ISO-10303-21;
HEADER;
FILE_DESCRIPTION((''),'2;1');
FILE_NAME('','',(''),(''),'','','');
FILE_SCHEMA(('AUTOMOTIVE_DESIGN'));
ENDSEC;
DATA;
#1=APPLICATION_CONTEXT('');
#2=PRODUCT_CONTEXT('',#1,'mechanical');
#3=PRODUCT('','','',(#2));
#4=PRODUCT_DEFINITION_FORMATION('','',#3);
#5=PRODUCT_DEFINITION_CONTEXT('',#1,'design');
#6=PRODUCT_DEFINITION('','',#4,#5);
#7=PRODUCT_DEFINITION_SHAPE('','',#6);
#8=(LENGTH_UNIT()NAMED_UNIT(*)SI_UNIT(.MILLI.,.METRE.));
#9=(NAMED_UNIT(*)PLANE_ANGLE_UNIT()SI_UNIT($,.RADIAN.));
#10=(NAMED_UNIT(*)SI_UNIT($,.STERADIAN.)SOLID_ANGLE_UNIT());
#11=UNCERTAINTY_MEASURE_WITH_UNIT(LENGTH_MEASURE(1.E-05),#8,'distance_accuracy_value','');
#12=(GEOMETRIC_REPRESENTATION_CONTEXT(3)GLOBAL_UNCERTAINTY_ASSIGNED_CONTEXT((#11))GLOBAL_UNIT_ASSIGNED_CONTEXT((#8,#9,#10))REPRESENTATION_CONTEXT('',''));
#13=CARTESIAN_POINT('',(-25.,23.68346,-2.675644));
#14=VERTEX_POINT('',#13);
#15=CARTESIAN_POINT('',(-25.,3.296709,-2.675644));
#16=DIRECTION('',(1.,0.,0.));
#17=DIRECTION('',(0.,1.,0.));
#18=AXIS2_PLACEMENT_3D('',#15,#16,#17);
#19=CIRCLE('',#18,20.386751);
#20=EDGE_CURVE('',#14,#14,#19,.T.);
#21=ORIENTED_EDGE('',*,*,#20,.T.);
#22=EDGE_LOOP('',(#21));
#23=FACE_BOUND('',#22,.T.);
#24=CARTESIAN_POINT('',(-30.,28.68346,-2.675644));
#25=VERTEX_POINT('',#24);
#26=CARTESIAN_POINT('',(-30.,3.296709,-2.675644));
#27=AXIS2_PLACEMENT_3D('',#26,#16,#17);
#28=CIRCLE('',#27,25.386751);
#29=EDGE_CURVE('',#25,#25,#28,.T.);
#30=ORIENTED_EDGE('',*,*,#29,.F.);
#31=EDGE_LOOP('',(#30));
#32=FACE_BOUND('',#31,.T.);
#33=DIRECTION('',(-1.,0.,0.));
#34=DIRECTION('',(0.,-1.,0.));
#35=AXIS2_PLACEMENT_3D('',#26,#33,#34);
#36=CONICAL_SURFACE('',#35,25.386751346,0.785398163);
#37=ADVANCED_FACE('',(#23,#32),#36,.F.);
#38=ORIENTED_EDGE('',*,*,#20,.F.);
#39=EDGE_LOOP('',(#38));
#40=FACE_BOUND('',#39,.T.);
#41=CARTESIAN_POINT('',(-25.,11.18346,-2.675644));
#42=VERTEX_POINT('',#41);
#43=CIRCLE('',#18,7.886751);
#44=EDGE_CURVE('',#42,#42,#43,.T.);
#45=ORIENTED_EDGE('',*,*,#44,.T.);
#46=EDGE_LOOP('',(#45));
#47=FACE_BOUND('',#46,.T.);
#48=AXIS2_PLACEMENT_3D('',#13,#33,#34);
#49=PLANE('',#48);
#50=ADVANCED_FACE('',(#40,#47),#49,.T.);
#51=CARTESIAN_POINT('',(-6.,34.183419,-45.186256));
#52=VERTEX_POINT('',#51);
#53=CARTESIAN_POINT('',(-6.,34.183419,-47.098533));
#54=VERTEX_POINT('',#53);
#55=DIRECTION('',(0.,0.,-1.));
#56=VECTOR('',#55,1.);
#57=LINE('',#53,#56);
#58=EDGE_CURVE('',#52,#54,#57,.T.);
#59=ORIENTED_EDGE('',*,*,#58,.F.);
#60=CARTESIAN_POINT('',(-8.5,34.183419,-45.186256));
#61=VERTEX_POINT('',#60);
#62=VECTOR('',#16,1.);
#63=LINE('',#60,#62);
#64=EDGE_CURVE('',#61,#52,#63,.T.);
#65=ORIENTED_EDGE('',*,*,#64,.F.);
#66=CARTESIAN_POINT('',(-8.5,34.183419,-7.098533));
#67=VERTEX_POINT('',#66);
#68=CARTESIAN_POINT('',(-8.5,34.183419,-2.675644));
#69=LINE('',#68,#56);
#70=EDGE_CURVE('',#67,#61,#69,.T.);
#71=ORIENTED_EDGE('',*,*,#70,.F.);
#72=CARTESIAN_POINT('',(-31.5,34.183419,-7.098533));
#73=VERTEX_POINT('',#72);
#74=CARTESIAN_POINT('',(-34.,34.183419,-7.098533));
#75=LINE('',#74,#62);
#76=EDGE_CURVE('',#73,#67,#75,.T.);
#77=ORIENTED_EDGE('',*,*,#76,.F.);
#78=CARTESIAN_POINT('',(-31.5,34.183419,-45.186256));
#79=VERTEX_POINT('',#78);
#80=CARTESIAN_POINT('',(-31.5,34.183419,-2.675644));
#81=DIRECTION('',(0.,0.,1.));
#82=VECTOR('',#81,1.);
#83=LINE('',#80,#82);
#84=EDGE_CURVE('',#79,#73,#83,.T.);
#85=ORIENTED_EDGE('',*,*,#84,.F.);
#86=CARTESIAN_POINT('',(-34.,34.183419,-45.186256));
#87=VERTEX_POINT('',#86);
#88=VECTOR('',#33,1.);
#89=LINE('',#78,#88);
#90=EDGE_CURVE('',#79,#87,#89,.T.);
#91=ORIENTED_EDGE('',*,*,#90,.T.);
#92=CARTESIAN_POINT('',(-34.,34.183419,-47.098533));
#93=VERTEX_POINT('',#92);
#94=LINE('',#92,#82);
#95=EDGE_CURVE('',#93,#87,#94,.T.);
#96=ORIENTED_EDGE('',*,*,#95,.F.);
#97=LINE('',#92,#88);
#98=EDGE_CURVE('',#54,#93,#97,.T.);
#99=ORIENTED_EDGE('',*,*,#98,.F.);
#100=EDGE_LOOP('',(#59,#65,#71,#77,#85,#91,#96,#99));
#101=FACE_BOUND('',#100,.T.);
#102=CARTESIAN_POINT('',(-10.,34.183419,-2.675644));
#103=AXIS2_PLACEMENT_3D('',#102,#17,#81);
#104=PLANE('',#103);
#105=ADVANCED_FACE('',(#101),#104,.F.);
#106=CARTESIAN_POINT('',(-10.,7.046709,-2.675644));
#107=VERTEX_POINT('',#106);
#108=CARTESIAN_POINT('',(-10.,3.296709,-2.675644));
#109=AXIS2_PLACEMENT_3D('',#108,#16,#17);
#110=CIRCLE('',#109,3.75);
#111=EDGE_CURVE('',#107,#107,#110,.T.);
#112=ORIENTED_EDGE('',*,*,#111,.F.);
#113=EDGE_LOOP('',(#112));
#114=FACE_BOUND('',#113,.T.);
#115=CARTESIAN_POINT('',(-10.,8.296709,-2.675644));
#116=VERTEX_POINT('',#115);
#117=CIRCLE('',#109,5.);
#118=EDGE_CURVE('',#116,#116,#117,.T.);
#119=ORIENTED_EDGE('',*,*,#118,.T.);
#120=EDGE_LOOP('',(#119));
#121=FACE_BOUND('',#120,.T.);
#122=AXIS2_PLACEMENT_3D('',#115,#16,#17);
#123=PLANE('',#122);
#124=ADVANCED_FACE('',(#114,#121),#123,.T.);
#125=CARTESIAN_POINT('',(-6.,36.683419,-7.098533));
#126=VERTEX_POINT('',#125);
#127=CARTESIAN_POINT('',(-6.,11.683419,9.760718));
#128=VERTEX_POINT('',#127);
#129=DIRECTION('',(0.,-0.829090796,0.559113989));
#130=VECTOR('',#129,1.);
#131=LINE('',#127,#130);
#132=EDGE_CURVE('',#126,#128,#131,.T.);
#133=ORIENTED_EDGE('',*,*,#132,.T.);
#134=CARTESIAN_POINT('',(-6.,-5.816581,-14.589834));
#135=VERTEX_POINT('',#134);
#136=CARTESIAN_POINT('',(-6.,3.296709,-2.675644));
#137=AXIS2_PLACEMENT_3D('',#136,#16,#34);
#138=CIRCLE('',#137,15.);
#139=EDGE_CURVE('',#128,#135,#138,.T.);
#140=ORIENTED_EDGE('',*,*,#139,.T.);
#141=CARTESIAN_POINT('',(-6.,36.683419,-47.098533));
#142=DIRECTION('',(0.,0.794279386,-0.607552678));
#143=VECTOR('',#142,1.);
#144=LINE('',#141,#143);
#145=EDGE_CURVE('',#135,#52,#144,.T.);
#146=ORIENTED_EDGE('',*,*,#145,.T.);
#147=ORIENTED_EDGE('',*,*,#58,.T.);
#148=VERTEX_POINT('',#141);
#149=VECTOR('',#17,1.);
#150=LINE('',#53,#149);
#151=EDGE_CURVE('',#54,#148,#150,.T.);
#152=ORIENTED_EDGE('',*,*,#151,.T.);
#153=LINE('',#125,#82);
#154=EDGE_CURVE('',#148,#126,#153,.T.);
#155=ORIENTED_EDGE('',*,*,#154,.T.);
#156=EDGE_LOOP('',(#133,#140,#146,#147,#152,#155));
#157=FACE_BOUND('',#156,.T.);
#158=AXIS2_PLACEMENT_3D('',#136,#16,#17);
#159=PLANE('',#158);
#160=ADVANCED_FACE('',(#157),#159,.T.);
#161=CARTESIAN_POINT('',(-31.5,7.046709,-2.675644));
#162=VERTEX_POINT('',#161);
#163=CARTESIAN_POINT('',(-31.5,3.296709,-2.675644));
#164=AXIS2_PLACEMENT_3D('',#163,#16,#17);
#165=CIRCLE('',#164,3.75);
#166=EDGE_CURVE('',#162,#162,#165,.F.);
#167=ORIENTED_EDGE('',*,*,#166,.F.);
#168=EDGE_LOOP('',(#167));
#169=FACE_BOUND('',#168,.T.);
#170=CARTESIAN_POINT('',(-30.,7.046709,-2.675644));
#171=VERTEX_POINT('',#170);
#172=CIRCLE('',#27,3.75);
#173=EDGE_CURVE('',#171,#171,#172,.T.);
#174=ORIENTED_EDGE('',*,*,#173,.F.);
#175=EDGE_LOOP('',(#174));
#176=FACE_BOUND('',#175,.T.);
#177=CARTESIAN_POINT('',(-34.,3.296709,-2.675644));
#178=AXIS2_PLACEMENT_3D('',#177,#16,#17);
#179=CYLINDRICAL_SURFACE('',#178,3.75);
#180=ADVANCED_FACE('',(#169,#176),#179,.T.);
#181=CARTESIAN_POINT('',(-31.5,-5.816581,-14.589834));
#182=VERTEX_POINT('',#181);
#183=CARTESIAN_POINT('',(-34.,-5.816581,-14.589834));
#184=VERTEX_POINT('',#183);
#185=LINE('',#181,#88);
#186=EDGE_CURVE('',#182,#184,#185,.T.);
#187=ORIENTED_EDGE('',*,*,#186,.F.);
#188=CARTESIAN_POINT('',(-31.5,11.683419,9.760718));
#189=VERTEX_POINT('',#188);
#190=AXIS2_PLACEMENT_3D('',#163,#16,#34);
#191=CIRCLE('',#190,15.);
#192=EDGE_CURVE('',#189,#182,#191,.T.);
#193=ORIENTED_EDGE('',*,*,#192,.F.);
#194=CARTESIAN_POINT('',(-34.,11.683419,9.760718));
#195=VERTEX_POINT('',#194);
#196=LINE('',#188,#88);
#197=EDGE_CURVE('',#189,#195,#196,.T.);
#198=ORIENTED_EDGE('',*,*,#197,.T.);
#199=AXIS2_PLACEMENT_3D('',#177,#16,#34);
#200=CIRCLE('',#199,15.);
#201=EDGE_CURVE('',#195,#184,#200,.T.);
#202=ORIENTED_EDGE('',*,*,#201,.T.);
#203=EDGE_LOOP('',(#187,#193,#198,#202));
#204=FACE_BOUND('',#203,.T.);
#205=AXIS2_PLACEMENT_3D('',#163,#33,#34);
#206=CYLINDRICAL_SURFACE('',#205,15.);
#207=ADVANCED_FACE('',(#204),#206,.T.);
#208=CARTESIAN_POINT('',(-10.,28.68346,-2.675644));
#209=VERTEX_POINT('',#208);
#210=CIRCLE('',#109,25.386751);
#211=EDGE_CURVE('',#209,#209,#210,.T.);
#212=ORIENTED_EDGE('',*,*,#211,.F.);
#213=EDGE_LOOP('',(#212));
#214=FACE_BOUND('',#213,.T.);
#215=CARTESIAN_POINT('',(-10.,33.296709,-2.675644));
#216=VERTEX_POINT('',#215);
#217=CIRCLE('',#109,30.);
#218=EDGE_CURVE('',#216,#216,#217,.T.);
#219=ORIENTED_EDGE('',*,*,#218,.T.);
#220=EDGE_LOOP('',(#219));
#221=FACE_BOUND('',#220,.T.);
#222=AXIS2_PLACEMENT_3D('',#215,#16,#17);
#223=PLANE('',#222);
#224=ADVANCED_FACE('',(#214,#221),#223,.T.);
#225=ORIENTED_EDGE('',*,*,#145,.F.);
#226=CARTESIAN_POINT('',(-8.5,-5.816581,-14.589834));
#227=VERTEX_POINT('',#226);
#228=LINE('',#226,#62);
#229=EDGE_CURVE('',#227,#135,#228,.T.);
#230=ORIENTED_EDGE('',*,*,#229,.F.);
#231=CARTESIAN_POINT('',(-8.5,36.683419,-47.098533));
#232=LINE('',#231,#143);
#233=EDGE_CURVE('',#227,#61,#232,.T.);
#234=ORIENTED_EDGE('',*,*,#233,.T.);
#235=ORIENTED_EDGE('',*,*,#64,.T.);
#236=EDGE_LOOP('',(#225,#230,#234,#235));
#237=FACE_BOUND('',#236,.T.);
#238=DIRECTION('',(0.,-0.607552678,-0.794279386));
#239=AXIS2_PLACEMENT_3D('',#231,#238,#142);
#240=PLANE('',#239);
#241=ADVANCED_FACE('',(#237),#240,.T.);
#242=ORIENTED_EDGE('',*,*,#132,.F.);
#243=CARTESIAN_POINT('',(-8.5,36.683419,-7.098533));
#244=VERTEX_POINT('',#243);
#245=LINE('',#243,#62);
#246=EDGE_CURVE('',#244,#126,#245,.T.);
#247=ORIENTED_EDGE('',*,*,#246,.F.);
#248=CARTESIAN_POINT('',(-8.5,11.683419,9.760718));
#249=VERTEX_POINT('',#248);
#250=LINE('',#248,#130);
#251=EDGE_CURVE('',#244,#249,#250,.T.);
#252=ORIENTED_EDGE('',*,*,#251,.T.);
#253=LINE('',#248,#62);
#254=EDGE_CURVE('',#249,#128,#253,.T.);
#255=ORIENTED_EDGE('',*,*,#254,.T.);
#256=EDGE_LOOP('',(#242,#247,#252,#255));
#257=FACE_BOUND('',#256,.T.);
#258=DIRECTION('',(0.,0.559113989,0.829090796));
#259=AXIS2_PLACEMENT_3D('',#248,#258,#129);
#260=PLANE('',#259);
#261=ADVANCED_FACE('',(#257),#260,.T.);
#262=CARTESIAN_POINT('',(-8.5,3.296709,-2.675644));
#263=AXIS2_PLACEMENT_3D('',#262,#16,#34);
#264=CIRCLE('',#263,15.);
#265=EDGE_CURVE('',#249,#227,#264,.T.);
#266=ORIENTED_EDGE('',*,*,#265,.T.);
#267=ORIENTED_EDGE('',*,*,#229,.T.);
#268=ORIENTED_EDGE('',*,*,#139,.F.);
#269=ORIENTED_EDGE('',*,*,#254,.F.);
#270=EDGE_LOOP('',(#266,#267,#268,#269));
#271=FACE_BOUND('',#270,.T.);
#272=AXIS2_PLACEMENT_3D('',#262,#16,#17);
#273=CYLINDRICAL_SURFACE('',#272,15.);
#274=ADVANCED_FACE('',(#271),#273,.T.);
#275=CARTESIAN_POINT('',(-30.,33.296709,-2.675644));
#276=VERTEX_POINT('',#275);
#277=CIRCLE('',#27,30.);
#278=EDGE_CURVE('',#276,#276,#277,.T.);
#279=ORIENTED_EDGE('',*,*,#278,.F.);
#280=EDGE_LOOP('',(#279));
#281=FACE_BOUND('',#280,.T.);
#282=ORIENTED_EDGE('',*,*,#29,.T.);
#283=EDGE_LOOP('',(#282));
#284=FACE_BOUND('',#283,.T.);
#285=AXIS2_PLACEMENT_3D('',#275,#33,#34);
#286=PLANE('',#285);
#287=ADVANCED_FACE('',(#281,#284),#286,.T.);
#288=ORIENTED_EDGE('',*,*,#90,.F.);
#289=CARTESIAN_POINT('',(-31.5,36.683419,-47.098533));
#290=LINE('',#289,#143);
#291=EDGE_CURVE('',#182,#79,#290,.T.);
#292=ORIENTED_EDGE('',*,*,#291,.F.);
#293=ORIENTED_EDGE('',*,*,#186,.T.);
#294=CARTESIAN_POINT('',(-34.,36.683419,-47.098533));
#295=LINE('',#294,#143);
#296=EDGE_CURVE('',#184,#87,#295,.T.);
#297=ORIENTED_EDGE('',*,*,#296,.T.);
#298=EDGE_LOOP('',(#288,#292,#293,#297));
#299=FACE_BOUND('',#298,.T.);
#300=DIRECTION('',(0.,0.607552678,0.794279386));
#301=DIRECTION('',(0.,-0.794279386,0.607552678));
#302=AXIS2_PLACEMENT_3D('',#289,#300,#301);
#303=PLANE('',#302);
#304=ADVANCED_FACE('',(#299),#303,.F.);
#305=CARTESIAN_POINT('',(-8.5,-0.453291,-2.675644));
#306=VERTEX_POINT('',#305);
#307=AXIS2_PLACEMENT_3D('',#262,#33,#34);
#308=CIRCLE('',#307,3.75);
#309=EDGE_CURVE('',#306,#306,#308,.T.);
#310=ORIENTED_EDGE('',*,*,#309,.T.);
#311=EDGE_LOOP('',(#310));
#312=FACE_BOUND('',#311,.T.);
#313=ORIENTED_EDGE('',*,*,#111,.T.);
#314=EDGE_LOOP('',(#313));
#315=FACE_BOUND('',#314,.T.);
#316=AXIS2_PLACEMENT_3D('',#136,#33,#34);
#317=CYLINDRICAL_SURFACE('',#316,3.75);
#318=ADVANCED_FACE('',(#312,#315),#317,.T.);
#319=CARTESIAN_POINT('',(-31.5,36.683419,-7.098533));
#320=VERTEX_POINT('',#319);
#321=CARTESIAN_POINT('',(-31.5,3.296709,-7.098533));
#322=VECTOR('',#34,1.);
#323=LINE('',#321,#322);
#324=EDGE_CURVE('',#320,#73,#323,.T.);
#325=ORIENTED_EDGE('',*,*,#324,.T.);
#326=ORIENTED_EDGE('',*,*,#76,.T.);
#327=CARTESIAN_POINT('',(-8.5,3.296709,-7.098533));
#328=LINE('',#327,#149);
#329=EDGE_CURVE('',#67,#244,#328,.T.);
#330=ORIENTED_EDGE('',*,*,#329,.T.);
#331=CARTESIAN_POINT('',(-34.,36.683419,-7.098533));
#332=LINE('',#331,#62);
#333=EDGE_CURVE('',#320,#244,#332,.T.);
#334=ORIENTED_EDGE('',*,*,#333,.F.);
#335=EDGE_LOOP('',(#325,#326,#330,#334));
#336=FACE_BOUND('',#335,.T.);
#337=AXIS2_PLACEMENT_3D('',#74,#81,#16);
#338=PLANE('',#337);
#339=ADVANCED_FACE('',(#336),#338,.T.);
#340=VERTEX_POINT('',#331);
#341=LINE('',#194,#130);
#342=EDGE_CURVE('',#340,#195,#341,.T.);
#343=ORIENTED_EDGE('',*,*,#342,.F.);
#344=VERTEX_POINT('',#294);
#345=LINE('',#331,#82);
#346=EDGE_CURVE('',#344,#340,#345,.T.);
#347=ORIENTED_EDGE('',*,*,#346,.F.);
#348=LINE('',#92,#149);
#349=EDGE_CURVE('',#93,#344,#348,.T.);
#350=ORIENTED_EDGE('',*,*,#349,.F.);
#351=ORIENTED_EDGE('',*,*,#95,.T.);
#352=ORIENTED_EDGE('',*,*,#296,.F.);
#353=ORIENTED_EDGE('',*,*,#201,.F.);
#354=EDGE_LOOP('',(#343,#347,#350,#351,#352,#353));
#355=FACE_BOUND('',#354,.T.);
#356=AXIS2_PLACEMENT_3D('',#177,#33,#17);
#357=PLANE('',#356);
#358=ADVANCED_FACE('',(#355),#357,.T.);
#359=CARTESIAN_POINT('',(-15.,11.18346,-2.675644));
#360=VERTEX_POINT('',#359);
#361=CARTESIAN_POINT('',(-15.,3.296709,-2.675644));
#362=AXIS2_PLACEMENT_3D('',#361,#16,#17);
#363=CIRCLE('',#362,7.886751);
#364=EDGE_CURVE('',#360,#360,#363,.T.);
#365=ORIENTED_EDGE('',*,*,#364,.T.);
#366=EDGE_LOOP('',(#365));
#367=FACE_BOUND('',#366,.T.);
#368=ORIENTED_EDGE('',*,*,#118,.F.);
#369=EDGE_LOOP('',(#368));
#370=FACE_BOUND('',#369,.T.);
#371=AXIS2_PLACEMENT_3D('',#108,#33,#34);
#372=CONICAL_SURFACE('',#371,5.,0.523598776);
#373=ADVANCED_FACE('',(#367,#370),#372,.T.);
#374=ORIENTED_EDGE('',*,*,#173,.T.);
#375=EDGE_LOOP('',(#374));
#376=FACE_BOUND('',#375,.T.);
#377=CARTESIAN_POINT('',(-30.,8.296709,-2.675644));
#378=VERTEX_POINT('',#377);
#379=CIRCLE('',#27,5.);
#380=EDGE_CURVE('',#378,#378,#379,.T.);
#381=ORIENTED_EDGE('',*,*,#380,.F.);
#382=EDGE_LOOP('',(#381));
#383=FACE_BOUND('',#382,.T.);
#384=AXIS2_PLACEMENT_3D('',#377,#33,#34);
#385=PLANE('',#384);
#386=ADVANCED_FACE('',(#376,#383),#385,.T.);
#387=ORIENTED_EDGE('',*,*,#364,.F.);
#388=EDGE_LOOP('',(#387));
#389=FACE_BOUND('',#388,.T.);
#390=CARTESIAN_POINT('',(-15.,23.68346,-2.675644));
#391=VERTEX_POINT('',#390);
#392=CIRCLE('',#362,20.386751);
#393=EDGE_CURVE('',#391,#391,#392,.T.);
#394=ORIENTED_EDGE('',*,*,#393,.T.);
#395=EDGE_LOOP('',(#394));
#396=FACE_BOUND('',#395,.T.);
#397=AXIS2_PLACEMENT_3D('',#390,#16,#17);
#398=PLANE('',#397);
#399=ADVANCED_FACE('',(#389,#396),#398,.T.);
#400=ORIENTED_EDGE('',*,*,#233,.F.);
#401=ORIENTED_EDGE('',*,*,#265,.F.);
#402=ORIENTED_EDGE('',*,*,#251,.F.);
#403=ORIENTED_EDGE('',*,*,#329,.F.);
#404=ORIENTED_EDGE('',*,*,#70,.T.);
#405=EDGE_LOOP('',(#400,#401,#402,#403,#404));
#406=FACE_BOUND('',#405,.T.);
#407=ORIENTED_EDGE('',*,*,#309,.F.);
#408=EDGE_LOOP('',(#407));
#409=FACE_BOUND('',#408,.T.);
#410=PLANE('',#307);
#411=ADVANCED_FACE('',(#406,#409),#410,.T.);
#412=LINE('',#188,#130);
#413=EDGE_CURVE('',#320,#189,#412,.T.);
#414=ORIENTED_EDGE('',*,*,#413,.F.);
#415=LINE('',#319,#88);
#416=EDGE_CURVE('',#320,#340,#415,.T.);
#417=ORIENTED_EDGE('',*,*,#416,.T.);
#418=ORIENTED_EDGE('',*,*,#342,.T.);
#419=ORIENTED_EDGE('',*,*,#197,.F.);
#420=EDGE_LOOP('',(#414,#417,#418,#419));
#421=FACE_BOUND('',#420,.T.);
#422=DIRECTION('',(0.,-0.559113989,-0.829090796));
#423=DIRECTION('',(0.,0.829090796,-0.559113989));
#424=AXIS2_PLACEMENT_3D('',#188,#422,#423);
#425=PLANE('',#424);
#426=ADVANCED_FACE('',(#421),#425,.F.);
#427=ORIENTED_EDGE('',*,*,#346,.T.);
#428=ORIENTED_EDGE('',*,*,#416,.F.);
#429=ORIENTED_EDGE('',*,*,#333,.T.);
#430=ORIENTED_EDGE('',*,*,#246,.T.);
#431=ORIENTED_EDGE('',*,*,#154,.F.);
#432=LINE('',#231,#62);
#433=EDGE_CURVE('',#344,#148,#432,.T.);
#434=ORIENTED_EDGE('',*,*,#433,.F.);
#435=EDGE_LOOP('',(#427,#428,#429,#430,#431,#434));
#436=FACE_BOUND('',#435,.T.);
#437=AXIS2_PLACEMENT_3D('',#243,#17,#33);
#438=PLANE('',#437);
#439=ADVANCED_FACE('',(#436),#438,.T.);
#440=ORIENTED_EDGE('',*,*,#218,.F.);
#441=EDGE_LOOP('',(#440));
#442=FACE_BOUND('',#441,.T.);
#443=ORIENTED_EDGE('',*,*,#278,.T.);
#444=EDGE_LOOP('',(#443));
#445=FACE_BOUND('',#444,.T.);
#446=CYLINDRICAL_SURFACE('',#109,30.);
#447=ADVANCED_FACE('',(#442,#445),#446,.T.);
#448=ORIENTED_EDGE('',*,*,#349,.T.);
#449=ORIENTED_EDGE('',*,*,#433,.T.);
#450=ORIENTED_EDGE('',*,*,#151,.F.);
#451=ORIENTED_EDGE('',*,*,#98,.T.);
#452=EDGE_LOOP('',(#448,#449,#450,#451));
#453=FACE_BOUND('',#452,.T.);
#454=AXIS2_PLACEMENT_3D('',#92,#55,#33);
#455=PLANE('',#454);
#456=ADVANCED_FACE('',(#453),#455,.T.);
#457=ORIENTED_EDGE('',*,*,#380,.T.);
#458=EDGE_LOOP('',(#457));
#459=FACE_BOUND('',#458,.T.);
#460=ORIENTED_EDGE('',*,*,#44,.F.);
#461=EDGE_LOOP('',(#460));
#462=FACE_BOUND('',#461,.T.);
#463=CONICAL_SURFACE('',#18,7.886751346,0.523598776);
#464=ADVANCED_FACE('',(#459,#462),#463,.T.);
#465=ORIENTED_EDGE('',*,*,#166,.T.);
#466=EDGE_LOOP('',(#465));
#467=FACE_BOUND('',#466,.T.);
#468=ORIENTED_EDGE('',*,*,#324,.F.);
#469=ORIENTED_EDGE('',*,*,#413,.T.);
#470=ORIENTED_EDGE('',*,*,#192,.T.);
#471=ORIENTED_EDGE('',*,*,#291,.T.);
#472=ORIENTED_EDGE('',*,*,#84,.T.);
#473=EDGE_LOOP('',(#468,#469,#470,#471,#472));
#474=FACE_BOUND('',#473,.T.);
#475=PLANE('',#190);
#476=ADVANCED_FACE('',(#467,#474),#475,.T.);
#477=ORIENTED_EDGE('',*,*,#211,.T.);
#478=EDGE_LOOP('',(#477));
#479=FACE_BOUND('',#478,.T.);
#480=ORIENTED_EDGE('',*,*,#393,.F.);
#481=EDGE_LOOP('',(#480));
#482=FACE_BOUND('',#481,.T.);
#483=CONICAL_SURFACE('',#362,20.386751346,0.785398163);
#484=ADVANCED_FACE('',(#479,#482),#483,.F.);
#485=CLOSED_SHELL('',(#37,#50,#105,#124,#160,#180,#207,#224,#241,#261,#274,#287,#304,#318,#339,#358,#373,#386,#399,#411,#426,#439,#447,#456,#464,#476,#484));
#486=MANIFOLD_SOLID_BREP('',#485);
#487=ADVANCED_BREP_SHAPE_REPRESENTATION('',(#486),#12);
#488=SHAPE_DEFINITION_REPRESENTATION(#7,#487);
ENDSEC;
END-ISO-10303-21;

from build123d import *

# Parameters (mm, degrees)
SKETCH3_R           = 7.5
BOSS_EXTRUDE1_DEPTH = 8
BOSS_EXTRUDE2_DEPTH = 5
SKETCH5_W           = 56
SKETCH5_H           = 80
BOSS_EXTRUDE3_DEPTH = 5
SCALE1_SCALE        = 0.5


with BuildPart() as part:
    # Sketch1 → Revolve1 (revolve)
    with BuildSketch(Plane.XY):
        Polygon((-40, 60), (0, 60), (0, 50.773502692), (-10, 40.773502692), (-10, 15.773502692), (0, 10), (0, 0), (-40, 0), (-40, 10), (-30, 15.773502692), (-30, 40.773502692), (-40, 50.773502692), align=None)
    revolve(axis=Axis((0, 0, 0), (-1, 0, 0)))

    # Sketch3 → Boss-Extrude1 (add)
    with BuildSketch(Plane(origin=(0, 0, 0), x_dir=(0, 0, -1), z_dir=(1, 0, 0))):
        Circle(SKETCH3_R)
    boss_extrude1 = extrude(amount=BOSS_EXTRUDE1_DEPTH)

    # Sketch4 → Boss-Extrude2 (add)
    with BuildSketch(Plane(origin=(8, 0, 0), x_dir=(0, 0, -1), z_dir=(1, 0, 0))):
        with BuildLine():
            Line((8.84577787, 66.773419664), (88.84577787, 66.773419664))
            Line((88.84577787, 66.773419664), (23.828381591, -18.226580336))
            ThreePointArc((23.828381591, -18.226580336), (-17.50778863, -24.361390299), (-24.872723871, 16.773419664))
            Line((-24.872723871, 16.773419664), (8.84577787, 66.773419664))
        make_face()
    boss_extrude2 = extrude(amount=-BOSS_EXTRUDE2_DEPTH)

    # Mirror1: Boss-Extrude1, Boss-Extrude2 across plane
    add(boss_extrude1.mirror(Plane(origin=(-20, 0, 0), x_dir=(0, 0, 1), z_dir=(1, 0, 0))))
    add(boss_extrude2.mirror(Plane(origin=(-20, 0, 0), x_dir=(0, 0, 1), z_dir=(1, 0, 0))))

    # Sketch5 → Boss-Extrude3 (add)
    with BuildSketch(Plane(origin=(0, 66.773419664, 0), x_dir=(1, 0, 0), z_dir=(0, 1, 0))):
        with Locations((-20, 48.84577787)):
            Rectangle(SKETCH5_W, SKETCH5_H)
    extrude(amount=-BOSS_EXTRUDE3_DEPTH)


with BuildPart() as part_1:
    # Scale1: scaled about (-20, 6.593417993, -5.351287219)
    add(part.part.scale(SCALE1_SCALE).moved(Location((-10, 3.296708997, -2.675643609))))


solid = part_1.part
